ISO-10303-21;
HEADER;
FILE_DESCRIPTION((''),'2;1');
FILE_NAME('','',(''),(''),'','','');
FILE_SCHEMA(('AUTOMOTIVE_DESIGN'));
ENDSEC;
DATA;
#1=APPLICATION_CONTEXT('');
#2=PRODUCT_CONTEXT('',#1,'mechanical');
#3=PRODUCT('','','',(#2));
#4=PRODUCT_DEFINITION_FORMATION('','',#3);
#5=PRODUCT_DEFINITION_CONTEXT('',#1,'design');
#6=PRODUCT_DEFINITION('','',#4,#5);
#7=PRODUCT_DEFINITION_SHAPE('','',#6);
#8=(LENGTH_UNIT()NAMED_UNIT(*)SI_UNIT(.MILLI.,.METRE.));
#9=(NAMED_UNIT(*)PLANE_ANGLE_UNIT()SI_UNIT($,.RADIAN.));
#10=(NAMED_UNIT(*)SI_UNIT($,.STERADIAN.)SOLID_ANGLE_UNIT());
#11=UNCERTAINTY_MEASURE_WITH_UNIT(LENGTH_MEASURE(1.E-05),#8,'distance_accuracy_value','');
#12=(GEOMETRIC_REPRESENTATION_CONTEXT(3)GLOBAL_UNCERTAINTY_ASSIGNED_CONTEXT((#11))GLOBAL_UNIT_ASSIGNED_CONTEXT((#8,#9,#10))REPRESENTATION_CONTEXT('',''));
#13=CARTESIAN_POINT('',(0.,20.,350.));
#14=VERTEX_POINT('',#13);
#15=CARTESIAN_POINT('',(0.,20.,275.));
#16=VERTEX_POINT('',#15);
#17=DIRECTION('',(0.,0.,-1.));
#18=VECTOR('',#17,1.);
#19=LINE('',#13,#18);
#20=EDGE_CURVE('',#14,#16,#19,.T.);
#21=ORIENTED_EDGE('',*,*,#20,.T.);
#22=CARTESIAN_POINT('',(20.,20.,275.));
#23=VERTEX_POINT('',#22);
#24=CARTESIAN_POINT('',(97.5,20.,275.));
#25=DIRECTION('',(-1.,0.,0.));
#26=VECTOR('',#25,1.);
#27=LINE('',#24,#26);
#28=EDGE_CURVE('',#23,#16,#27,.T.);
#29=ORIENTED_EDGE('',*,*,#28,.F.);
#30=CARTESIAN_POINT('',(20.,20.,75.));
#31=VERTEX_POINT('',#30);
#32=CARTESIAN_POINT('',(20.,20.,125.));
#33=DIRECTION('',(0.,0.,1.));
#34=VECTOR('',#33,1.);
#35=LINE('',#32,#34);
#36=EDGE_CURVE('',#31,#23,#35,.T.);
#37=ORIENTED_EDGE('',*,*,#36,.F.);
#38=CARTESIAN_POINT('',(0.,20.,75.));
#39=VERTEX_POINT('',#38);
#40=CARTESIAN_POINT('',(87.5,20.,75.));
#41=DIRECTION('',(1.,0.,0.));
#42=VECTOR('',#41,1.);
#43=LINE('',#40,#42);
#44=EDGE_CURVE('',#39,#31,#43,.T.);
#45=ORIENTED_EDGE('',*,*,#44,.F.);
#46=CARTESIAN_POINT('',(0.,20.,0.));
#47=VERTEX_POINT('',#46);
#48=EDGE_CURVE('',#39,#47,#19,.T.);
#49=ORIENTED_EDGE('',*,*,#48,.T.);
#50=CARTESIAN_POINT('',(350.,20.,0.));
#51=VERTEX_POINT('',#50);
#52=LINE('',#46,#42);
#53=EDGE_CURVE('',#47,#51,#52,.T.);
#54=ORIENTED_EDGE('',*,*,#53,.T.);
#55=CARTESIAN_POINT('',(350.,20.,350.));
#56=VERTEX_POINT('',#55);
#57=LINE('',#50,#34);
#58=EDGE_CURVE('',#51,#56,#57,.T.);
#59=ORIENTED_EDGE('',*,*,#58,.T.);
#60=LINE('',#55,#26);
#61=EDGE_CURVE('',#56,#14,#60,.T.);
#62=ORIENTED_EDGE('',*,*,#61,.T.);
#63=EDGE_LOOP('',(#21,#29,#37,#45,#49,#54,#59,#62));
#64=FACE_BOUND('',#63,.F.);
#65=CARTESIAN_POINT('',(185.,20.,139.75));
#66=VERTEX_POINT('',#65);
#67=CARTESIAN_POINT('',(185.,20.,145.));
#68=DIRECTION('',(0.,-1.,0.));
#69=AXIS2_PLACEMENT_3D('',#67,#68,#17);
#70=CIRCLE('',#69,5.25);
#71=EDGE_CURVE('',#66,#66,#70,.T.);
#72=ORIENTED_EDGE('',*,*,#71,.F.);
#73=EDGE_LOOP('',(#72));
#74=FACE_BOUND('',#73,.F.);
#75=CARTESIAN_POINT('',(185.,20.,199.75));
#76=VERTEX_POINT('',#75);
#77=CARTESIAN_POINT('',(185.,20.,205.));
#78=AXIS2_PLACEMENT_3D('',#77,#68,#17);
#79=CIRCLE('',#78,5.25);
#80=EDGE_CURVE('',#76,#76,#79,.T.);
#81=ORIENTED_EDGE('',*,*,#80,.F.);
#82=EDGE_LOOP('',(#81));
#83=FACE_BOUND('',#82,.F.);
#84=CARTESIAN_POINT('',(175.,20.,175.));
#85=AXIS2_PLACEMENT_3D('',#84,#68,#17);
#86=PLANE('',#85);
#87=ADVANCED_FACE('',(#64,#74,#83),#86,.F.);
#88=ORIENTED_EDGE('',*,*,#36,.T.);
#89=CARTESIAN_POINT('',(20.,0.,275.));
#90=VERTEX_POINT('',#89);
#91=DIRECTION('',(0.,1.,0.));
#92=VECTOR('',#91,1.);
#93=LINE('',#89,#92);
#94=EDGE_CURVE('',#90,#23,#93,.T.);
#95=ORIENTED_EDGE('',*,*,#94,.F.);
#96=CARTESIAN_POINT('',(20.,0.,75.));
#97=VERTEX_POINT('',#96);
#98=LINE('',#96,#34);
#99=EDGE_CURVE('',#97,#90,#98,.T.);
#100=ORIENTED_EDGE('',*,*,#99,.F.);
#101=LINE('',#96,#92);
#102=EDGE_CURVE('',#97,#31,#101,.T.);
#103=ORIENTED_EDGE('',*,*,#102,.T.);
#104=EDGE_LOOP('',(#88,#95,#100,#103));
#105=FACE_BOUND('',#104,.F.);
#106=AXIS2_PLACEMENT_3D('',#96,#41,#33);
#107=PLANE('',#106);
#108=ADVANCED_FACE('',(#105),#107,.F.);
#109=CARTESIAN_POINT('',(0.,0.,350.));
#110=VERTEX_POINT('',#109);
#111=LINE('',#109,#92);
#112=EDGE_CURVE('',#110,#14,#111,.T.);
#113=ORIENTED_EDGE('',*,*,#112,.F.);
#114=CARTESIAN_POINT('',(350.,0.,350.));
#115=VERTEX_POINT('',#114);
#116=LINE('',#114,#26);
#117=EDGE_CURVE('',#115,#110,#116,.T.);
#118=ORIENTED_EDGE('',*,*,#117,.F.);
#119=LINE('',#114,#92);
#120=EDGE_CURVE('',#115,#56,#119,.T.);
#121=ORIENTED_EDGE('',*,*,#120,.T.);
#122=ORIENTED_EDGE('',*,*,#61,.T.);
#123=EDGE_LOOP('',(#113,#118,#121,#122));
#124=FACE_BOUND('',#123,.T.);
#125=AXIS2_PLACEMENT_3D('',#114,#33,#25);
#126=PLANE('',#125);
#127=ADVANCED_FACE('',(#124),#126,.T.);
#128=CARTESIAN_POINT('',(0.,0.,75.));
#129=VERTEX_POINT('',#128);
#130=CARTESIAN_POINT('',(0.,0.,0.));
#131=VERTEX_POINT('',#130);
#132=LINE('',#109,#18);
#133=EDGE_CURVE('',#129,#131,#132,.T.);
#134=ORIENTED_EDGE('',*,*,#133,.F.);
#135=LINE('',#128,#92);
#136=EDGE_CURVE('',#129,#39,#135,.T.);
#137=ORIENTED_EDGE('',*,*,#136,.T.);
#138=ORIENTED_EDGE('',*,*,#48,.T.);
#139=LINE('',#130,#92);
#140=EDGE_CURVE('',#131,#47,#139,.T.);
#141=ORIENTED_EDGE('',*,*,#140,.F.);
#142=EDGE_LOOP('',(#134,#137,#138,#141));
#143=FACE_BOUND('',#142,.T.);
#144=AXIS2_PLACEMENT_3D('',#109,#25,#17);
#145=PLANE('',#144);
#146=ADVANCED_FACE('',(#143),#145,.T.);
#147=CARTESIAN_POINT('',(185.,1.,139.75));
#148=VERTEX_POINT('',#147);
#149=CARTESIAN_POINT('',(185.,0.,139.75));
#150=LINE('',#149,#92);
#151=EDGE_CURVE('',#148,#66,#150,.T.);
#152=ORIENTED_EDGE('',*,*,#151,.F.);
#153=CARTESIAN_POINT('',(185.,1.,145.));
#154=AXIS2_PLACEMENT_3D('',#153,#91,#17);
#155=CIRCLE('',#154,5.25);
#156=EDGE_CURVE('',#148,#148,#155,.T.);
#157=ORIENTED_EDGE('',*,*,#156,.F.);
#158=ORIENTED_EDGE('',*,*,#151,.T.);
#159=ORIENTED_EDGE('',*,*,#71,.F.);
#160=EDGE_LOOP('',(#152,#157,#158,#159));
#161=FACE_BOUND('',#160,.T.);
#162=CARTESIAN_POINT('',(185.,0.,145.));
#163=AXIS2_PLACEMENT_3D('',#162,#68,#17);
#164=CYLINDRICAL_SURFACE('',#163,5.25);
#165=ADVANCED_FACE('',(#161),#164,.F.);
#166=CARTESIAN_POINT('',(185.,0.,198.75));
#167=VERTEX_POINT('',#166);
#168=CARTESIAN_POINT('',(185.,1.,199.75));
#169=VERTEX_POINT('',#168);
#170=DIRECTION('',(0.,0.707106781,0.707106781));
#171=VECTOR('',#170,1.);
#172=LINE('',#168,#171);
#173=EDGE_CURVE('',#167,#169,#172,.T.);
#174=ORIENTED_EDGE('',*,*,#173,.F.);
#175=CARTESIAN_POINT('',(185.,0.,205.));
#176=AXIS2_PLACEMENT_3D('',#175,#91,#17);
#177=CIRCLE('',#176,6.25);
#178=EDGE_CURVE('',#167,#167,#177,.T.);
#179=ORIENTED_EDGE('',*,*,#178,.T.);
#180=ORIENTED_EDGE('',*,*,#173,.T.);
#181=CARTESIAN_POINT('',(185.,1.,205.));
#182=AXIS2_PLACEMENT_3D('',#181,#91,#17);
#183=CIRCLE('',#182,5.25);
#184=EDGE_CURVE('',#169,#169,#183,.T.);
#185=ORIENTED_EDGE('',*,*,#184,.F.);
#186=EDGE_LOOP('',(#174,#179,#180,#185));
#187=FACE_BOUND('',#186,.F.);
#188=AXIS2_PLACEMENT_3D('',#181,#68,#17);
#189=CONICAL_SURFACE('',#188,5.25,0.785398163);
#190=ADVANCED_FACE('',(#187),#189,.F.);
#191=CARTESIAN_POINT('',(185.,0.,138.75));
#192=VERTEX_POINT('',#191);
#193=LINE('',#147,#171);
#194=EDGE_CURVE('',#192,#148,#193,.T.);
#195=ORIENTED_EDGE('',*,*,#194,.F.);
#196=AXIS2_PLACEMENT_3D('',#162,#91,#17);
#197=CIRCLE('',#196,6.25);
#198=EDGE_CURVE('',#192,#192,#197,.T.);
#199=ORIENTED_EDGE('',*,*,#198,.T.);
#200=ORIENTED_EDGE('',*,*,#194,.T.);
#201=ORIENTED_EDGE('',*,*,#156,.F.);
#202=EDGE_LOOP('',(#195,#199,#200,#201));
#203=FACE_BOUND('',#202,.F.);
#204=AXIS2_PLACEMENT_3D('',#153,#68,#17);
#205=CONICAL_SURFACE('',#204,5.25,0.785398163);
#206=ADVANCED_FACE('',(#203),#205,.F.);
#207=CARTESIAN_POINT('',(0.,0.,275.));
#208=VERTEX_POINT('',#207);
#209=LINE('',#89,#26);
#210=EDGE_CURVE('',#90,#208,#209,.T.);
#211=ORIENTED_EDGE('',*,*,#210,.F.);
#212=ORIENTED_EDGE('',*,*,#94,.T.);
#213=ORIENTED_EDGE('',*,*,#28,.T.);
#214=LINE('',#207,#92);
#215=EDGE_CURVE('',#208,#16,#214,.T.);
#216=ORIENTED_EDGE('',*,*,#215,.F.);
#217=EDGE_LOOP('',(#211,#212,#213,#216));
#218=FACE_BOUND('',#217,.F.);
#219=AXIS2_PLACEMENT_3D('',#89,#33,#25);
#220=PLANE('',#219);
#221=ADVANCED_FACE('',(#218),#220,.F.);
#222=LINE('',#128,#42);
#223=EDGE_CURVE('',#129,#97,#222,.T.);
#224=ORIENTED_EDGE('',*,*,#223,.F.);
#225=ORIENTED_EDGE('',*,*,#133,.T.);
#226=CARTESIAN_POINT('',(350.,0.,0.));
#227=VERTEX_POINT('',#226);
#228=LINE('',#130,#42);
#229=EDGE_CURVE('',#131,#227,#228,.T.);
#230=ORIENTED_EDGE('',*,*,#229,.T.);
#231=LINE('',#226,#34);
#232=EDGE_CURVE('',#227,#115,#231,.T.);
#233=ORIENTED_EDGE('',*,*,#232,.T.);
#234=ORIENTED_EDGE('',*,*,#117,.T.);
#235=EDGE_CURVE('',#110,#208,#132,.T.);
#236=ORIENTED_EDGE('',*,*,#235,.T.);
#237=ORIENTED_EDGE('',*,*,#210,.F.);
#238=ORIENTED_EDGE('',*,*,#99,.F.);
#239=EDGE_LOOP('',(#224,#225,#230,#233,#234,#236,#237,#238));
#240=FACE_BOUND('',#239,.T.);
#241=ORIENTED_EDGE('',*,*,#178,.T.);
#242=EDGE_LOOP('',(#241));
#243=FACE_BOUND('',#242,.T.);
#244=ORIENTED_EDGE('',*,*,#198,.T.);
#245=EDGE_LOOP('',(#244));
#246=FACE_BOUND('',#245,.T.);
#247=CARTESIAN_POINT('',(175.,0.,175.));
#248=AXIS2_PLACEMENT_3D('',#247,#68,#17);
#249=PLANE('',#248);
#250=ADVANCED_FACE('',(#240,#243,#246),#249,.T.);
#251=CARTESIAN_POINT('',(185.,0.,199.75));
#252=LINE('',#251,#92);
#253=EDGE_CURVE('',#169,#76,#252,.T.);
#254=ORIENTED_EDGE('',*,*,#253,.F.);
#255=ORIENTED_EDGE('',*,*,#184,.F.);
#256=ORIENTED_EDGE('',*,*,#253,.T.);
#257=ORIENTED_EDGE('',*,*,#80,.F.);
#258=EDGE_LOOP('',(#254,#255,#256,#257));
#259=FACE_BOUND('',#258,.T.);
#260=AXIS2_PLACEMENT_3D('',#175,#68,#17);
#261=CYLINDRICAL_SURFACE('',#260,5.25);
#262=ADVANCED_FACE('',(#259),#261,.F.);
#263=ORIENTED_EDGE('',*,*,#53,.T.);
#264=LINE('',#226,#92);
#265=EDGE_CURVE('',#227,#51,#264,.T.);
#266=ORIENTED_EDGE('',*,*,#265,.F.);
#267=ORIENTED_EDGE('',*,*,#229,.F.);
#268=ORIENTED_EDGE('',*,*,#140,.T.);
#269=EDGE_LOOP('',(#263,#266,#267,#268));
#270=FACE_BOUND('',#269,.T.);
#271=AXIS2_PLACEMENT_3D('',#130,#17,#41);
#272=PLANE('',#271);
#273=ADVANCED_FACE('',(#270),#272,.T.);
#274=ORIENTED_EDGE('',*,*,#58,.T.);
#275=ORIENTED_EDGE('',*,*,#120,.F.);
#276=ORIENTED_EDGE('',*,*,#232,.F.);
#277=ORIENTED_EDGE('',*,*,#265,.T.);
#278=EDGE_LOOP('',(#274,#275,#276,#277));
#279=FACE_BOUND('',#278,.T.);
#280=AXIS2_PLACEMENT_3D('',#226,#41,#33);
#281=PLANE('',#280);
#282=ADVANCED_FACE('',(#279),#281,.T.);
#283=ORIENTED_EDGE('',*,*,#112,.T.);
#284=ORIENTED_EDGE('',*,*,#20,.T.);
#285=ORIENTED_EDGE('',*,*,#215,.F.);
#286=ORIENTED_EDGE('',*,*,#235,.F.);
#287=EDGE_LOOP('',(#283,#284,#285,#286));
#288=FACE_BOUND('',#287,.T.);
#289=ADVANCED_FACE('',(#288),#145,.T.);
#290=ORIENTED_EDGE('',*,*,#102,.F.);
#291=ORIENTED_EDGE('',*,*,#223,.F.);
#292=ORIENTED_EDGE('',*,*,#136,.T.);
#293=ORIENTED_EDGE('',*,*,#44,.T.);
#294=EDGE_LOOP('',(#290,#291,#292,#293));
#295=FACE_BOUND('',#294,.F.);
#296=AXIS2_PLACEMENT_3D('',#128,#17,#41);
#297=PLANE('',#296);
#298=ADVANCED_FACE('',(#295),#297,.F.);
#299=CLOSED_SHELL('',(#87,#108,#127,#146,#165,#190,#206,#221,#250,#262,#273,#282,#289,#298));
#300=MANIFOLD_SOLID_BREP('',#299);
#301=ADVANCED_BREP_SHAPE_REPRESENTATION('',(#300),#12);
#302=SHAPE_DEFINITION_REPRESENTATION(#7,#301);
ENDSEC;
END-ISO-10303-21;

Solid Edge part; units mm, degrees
sketch "Sketch1" plane through (0, 0, 0) normal (0, -1, 0) x (1, 0, 0)
  line L0 (350, 0) -> (350, 350)
  line L1 (350, 350) -> (0, 350)
  line L2 (0, 350) -> (0, 0)
  line L3 (0, 0) -> (350, 0)
extrude "Protrusion1" add sketch "Sketch1" against normal blind 20
sketch "Sketch2" plane through (250, 0, 250) normal (0, -1, 0) x (0, 0, 1)
  line L0 (-175, 250) -> (-175, 230)
  line L1 (-175, 230) -> (25, 230)
  line L2 (25, 230) -> (25, 250)
  line L3 (25, 250) -> (-175, 250)
  dimension "D1" = 200
  dimension "D2" = 20
  dimension "D3" = 75
extrude "Extrusionsausschnitt_1" cut sketch "Sketch2" against normal blind 67.8542
hole "Bohrung_1" at (185, 0, 205) direction (0, 1, 0) diameter 10.5 end up to next start chamfer 1 start chamfer angle 45
hole "Hole1" at (185, 0, 145) direction (0, 1, 0) diameter 10.5 end up to next start chamfer 1 start chamfer angle 45
